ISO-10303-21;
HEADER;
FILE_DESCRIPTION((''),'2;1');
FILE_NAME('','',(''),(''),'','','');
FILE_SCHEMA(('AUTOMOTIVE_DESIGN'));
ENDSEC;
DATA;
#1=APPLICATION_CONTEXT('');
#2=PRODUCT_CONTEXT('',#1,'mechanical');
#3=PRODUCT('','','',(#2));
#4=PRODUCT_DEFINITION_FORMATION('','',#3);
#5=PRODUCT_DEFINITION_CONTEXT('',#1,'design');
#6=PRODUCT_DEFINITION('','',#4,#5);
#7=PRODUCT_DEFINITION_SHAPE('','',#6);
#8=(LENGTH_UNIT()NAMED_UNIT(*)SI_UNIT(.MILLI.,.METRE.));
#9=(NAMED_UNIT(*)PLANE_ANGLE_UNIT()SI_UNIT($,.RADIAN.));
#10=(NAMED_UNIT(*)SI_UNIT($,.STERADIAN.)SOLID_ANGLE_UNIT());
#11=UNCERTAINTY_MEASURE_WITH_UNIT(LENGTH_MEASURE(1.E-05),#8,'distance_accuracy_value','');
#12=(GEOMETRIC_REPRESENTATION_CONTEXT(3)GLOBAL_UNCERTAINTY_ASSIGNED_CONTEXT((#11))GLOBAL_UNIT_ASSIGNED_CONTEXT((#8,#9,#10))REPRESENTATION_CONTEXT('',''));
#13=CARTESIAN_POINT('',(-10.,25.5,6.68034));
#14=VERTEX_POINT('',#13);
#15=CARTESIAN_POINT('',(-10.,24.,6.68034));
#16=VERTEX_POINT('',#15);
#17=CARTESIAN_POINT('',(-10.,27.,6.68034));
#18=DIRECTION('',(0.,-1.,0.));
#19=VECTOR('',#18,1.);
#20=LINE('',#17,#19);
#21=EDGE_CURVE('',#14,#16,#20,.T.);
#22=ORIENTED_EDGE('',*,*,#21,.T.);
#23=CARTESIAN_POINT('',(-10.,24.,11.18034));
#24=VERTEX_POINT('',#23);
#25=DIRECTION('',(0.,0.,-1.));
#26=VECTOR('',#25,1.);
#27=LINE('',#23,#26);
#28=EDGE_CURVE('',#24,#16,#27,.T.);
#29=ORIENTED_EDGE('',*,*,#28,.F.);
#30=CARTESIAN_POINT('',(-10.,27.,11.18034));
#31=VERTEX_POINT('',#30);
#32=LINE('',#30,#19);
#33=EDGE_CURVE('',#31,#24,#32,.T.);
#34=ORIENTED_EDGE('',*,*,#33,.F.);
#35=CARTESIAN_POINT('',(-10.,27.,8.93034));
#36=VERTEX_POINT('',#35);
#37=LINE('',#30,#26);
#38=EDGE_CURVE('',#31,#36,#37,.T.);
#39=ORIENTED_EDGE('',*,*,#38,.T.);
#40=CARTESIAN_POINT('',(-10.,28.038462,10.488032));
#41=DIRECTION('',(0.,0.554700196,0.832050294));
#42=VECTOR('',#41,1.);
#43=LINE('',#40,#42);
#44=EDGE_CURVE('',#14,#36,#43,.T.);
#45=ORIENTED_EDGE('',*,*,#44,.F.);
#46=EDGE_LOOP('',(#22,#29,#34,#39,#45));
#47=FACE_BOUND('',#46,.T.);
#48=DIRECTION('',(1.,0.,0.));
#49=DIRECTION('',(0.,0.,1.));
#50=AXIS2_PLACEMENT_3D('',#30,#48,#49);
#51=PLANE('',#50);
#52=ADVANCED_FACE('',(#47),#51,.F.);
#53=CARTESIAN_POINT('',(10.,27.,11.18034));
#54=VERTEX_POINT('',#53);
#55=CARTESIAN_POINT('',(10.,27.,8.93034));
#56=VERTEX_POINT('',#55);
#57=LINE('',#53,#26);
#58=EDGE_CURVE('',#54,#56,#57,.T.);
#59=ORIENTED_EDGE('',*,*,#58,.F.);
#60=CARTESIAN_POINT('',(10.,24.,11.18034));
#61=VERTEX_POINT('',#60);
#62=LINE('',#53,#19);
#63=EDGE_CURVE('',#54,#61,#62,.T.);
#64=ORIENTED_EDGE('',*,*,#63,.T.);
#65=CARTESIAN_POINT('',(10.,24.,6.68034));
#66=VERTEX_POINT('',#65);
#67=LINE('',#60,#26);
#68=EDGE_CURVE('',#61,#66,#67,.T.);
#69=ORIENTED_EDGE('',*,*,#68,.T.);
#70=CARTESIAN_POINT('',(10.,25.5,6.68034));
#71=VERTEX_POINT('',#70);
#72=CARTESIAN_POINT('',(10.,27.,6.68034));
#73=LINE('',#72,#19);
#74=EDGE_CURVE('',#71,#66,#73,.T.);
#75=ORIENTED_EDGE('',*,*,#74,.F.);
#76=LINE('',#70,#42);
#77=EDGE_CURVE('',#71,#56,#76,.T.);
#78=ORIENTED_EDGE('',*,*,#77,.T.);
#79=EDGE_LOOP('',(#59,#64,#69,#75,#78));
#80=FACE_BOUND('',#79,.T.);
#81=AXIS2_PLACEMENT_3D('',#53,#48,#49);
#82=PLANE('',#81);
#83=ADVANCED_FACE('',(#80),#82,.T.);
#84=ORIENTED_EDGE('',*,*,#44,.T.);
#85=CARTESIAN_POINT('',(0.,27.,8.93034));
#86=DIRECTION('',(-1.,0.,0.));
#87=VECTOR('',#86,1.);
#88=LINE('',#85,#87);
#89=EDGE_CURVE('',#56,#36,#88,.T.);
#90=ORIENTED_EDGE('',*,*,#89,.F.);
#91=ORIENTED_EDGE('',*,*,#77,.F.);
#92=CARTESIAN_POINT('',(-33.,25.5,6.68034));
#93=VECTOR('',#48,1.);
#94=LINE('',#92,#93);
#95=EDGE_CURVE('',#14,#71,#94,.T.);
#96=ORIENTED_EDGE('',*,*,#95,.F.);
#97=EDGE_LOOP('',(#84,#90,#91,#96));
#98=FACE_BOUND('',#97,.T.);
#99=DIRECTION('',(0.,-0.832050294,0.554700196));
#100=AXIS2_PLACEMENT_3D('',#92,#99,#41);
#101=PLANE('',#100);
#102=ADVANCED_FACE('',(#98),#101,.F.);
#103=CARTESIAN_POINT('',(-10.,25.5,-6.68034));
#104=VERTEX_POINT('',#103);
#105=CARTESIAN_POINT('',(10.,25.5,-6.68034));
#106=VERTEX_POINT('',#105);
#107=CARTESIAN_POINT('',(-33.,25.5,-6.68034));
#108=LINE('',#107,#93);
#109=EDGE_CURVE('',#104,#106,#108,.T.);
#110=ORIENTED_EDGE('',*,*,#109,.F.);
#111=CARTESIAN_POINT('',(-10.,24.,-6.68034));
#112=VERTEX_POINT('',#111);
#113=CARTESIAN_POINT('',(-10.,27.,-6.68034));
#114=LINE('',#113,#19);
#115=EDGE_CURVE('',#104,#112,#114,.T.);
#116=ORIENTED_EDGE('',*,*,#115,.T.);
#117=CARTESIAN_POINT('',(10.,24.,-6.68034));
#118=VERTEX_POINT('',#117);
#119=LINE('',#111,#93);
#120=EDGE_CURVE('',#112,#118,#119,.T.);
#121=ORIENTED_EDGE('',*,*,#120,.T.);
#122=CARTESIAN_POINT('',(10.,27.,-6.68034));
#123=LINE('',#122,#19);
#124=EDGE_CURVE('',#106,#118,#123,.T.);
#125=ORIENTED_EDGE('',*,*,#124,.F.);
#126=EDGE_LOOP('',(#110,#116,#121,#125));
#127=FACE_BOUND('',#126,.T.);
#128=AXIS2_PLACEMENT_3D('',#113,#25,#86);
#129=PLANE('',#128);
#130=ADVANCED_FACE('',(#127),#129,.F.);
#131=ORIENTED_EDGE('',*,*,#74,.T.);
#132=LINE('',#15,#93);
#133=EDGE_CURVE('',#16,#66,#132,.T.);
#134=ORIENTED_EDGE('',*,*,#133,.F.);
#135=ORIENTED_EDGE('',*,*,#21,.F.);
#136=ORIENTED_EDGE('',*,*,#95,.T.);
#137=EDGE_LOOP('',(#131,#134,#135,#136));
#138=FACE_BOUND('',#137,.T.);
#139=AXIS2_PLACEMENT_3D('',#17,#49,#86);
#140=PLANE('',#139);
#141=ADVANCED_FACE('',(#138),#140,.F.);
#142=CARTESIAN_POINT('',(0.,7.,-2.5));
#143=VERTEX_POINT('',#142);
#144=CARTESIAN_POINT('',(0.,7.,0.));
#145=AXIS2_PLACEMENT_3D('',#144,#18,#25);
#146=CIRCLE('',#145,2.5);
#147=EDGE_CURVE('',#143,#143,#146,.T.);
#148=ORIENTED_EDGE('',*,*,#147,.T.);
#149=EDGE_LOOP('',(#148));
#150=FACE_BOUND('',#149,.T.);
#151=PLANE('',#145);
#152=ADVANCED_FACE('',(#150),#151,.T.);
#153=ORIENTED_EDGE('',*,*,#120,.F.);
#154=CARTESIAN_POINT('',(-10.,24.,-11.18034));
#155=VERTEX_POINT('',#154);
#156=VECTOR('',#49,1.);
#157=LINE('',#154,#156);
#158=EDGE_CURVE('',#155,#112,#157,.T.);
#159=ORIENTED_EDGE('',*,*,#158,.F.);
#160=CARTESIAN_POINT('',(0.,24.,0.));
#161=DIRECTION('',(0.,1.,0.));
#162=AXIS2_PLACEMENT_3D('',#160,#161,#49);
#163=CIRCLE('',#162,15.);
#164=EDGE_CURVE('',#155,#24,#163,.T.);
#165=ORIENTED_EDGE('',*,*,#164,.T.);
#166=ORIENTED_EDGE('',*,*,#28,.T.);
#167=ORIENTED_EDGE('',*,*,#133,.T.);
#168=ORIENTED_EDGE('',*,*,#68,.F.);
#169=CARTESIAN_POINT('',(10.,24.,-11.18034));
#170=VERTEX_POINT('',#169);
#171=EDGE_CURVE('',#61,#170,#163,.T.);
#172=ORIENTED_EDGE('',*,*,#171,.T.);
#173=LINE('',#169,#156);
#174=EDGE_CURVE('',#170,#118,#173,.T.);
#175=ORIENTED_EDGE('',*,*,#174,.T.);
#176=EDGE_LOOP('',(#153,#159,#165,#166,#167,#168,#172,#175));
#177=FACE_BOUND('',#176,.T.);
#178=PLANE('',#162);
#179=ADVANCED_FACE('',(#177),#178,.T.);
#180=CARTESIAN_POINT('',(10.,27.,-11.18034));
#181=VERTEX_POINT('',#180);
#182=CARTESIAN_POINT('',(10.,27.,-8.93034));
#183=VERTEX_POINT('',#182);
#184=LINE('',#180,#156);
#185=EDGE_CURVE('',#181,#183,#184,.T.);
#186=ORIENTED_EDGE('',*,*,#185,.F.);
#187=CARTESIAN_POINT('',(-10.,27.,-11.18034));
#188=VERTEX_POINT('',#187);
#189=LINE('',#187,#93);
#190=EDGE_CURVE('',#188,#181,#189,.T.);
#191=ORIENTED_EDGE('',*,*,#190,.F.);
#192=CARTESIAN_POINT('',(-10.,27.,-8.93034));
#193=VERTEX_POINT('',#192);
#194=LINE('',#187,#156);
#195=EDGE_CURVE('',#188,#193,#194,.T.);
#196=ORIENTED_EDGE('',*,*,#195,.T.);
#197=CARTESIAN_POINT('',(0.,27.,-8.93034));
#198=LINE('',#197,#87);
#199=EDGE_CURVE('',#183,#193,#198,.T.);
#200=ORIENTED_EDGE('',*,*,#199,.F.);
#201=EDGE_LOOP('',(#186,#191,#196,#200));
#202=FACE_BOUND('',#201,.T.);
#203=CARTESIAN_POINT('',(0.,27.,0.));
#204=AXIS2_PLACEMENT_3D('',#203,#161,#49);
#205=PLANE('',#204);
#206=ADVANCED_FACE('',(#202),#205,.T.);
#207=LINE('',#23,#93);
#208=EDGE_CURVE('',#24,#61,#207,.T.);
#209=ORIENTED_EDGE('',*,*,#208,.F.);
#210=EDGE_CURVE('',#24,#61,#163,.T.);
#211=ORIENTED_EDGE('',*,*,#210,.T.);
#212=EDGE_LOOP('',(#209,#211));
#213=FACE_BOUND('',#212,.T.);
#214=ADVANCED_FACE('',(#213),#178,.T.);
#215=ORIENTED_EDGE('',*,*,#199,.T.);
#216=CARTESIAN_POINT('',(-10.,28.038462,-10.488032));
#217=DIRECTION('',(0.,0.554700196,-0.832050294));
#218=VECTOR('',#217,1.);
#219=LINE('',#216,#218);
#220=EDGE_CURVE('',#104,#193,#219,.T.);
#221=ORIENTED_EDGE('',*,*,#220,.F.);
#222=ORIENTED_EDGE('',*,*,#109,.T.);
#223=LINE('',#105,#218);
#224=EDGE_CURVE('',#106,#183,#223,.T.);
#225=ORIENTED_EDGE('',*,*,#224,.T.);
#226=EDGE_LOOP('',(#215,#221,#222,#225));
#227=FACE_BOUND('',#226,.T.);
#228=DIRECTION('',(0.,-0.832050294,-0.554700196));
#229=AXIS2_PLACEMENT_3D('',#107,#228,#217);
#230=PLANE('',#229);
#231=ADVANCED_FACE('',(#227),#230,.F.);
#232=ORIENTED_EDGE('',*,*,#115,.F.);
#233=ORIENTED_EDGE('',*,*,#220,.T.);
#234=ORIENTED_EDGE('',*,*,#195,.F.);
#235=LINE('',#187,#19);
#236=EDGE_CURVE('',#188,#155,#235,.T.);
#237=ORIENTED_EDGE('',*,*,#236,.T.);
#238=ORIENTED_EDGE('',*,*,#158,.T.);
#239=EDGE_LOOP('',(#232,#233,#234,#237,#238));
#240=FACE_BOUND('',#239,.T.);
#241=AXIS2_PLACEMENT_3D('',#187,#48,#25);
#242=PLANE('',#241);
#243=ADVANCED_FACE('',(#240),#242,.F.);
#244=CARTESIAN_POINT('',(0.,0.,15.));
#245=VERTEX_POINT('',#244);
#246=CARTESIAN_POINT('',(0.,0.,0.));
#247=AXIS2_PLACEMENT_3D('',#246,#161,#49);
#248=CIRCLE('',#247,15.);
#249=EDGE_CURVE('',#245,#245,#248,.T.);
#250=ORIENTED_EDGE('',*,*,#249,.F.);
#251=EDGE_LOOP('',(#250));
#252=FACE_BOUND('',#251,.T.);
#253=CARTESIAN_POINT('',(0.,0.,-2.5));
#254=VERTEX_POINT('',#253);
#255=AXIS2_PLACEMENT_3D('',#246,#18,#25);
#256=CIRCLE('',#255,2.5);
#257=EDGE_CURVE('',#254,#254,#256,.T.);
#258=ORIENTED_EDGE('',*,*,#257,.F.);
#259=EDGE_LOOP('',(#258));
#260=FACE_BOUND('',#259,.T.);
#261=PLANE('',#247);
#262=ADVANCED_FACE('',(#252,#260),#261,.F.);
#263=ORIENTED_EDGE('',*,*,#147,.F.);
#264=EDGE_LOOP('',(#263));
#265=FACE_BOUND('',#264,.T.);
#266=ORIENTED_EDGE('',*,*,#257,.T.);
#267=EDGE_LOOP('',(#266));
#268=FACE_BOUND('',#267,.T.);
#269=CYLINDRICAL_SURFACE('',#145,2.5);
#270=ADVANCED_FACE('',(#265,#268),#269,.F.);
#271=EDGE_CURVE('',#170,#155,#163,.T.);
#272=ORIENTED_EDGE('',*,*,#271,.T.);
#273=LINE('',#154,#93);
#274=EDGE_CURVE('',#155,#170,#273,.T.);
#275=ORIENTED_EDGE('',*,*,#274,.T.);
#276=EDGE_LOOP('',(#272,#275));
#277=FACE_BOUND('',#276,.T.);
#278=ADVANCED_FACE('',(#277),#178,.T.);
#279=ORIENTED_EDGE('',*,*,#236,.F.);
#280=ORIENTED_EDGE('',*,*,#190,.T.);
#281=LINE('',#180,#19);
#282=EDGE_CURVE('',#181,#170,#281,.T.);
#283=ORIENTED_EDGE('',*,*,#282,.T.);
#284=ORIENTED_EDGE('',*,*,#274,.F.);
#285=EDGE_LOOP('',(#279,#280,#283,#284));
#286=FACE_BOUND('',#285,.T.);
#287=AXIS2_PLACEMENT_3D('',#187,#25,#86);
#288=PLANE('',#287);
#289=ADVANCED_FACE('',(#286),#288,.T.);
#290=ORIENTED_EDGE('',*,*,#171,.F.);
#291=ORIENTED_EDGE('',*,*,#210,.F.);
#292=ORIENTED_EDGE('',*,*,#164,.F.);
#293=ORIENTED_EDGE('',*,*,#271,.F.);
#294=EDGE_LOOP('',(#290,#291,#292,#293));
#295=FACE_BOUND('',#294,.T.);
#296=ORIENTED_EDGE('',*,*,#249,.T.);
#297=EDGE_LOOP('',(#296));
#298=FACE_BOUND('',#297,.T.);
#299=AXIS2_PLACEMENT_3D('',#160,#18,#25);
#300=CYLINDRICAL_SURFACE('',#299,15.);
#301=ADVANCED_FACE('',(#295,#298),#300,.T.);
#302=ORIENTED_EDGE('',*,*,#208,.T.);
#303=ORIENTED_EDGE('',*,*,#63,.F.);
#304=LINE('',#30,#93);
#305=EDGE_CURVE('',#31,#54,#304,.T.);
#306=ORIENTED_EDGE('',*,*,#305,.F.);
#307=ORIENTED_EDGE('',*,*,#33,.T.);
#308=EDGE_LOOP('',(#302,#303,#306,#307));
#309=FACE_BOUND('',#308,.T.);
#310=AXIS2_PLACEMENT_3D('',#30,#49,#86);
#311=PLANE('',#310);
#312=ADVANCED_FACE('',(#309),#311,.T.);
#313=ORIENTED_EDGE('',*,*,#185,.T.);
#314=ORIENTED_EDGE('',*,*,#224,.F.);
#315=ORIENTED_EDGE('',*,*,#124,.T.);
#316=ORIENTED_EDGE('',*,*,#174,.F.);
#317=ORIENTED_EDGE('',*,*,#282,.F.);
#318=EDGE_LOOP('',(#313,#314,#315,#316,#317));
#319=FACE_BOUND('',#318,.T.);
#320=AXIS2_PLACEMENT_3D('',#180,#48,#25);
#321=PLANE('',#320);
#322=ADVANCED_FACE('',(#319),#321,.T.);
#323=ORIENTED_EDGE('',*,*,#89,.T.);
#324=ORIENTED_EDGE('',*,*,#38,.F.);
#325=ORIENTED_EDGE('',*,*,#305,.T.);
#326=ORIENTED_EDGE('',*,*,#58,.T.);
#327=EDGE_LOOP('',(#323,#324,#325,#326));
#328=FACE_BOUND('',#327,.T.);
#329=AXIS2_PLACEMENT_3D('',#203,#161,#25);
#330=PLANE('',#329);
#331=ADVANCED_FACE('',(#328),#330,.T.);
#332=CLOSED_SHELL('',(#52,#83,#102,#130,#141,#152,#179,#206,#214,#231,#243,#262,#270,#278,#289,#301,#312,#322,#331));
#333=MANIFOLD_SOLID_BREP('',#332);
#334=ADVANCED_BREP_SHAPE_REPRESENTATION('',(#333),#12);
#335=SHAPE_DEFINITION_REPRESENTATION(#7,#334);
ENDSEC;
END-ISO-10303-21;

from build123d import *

# Parameters (mm, degrees)
SKETCH1_R           = 15
BOSS_EXTRUDE1_DEPTH = 24
SKETCH2_W           = 20
SKETCH2_H           = 4.5
BOSS_EXTRUDE2_DEPTH = 3
CUT_EXTRUDE1_DEPTH  = 43
SKETCH4_R           = 2.5
CUT_EXTRUDE2_DEPTH  = 7


with BuildPart() as part:
    # Sketch1 → Boss-Extrude1 (new body)
    with BuildSketch(Plane(origin=(0, 0, 0), x_dir=(1, 0, 0), z_dir=(0, 1, 0))):
        with Locations(Location((0, 0, 0), (0, 0, 270))):
            Circle(SKETCH1_R)
    extrude(amount=BOSS_EXTRUDE1_DEPTH)

    # Sketch2 → Boss-Extrude2 (add)
    with BuildSketch(Plane(origin=(0, 24, 0), x_dir=(1, 0, 0), z_dir=(0, 1, 0))):
        with Locations((0, 8.930339887)):
            Rectangle(SKETCH2_W, SKETCH2_H)
    extrude(amount=BOSS_EXTRUDE2_DEPTH)

    # Sketch3 → Cut-Extrude1 (cut)
    with BuildSketch(Plane(origin=(10, 0, 0), x_dir=(0, 0, -1), z_dir=(1, 0, 0))):
        Polygon((6.680339887, 25.5), (8.930339887, 27), (6.680339887, 27), align=None)
    extrude(amount=-CUT_EXTRUDE1_DEPTH, mode=Mode.SUBTRACT)

    # Mirror1: part across plane


with BuildPart() as part_1:
    add(part.part)
    add(part.part.mirror(Plane.XY))

    # Sketch4 → Cut-Extrude2 (cut)
    with BuildSketch(Plane.XZ):
        with Locations(Location((0, 0, 0), (0, 0, 270))):
            Circle(SKETCH4_R)
    extrude(amount=-CUT_EXTRUDE2_DEPTH, mode=Mode.SUBTRACT)


solid = part_1.part
